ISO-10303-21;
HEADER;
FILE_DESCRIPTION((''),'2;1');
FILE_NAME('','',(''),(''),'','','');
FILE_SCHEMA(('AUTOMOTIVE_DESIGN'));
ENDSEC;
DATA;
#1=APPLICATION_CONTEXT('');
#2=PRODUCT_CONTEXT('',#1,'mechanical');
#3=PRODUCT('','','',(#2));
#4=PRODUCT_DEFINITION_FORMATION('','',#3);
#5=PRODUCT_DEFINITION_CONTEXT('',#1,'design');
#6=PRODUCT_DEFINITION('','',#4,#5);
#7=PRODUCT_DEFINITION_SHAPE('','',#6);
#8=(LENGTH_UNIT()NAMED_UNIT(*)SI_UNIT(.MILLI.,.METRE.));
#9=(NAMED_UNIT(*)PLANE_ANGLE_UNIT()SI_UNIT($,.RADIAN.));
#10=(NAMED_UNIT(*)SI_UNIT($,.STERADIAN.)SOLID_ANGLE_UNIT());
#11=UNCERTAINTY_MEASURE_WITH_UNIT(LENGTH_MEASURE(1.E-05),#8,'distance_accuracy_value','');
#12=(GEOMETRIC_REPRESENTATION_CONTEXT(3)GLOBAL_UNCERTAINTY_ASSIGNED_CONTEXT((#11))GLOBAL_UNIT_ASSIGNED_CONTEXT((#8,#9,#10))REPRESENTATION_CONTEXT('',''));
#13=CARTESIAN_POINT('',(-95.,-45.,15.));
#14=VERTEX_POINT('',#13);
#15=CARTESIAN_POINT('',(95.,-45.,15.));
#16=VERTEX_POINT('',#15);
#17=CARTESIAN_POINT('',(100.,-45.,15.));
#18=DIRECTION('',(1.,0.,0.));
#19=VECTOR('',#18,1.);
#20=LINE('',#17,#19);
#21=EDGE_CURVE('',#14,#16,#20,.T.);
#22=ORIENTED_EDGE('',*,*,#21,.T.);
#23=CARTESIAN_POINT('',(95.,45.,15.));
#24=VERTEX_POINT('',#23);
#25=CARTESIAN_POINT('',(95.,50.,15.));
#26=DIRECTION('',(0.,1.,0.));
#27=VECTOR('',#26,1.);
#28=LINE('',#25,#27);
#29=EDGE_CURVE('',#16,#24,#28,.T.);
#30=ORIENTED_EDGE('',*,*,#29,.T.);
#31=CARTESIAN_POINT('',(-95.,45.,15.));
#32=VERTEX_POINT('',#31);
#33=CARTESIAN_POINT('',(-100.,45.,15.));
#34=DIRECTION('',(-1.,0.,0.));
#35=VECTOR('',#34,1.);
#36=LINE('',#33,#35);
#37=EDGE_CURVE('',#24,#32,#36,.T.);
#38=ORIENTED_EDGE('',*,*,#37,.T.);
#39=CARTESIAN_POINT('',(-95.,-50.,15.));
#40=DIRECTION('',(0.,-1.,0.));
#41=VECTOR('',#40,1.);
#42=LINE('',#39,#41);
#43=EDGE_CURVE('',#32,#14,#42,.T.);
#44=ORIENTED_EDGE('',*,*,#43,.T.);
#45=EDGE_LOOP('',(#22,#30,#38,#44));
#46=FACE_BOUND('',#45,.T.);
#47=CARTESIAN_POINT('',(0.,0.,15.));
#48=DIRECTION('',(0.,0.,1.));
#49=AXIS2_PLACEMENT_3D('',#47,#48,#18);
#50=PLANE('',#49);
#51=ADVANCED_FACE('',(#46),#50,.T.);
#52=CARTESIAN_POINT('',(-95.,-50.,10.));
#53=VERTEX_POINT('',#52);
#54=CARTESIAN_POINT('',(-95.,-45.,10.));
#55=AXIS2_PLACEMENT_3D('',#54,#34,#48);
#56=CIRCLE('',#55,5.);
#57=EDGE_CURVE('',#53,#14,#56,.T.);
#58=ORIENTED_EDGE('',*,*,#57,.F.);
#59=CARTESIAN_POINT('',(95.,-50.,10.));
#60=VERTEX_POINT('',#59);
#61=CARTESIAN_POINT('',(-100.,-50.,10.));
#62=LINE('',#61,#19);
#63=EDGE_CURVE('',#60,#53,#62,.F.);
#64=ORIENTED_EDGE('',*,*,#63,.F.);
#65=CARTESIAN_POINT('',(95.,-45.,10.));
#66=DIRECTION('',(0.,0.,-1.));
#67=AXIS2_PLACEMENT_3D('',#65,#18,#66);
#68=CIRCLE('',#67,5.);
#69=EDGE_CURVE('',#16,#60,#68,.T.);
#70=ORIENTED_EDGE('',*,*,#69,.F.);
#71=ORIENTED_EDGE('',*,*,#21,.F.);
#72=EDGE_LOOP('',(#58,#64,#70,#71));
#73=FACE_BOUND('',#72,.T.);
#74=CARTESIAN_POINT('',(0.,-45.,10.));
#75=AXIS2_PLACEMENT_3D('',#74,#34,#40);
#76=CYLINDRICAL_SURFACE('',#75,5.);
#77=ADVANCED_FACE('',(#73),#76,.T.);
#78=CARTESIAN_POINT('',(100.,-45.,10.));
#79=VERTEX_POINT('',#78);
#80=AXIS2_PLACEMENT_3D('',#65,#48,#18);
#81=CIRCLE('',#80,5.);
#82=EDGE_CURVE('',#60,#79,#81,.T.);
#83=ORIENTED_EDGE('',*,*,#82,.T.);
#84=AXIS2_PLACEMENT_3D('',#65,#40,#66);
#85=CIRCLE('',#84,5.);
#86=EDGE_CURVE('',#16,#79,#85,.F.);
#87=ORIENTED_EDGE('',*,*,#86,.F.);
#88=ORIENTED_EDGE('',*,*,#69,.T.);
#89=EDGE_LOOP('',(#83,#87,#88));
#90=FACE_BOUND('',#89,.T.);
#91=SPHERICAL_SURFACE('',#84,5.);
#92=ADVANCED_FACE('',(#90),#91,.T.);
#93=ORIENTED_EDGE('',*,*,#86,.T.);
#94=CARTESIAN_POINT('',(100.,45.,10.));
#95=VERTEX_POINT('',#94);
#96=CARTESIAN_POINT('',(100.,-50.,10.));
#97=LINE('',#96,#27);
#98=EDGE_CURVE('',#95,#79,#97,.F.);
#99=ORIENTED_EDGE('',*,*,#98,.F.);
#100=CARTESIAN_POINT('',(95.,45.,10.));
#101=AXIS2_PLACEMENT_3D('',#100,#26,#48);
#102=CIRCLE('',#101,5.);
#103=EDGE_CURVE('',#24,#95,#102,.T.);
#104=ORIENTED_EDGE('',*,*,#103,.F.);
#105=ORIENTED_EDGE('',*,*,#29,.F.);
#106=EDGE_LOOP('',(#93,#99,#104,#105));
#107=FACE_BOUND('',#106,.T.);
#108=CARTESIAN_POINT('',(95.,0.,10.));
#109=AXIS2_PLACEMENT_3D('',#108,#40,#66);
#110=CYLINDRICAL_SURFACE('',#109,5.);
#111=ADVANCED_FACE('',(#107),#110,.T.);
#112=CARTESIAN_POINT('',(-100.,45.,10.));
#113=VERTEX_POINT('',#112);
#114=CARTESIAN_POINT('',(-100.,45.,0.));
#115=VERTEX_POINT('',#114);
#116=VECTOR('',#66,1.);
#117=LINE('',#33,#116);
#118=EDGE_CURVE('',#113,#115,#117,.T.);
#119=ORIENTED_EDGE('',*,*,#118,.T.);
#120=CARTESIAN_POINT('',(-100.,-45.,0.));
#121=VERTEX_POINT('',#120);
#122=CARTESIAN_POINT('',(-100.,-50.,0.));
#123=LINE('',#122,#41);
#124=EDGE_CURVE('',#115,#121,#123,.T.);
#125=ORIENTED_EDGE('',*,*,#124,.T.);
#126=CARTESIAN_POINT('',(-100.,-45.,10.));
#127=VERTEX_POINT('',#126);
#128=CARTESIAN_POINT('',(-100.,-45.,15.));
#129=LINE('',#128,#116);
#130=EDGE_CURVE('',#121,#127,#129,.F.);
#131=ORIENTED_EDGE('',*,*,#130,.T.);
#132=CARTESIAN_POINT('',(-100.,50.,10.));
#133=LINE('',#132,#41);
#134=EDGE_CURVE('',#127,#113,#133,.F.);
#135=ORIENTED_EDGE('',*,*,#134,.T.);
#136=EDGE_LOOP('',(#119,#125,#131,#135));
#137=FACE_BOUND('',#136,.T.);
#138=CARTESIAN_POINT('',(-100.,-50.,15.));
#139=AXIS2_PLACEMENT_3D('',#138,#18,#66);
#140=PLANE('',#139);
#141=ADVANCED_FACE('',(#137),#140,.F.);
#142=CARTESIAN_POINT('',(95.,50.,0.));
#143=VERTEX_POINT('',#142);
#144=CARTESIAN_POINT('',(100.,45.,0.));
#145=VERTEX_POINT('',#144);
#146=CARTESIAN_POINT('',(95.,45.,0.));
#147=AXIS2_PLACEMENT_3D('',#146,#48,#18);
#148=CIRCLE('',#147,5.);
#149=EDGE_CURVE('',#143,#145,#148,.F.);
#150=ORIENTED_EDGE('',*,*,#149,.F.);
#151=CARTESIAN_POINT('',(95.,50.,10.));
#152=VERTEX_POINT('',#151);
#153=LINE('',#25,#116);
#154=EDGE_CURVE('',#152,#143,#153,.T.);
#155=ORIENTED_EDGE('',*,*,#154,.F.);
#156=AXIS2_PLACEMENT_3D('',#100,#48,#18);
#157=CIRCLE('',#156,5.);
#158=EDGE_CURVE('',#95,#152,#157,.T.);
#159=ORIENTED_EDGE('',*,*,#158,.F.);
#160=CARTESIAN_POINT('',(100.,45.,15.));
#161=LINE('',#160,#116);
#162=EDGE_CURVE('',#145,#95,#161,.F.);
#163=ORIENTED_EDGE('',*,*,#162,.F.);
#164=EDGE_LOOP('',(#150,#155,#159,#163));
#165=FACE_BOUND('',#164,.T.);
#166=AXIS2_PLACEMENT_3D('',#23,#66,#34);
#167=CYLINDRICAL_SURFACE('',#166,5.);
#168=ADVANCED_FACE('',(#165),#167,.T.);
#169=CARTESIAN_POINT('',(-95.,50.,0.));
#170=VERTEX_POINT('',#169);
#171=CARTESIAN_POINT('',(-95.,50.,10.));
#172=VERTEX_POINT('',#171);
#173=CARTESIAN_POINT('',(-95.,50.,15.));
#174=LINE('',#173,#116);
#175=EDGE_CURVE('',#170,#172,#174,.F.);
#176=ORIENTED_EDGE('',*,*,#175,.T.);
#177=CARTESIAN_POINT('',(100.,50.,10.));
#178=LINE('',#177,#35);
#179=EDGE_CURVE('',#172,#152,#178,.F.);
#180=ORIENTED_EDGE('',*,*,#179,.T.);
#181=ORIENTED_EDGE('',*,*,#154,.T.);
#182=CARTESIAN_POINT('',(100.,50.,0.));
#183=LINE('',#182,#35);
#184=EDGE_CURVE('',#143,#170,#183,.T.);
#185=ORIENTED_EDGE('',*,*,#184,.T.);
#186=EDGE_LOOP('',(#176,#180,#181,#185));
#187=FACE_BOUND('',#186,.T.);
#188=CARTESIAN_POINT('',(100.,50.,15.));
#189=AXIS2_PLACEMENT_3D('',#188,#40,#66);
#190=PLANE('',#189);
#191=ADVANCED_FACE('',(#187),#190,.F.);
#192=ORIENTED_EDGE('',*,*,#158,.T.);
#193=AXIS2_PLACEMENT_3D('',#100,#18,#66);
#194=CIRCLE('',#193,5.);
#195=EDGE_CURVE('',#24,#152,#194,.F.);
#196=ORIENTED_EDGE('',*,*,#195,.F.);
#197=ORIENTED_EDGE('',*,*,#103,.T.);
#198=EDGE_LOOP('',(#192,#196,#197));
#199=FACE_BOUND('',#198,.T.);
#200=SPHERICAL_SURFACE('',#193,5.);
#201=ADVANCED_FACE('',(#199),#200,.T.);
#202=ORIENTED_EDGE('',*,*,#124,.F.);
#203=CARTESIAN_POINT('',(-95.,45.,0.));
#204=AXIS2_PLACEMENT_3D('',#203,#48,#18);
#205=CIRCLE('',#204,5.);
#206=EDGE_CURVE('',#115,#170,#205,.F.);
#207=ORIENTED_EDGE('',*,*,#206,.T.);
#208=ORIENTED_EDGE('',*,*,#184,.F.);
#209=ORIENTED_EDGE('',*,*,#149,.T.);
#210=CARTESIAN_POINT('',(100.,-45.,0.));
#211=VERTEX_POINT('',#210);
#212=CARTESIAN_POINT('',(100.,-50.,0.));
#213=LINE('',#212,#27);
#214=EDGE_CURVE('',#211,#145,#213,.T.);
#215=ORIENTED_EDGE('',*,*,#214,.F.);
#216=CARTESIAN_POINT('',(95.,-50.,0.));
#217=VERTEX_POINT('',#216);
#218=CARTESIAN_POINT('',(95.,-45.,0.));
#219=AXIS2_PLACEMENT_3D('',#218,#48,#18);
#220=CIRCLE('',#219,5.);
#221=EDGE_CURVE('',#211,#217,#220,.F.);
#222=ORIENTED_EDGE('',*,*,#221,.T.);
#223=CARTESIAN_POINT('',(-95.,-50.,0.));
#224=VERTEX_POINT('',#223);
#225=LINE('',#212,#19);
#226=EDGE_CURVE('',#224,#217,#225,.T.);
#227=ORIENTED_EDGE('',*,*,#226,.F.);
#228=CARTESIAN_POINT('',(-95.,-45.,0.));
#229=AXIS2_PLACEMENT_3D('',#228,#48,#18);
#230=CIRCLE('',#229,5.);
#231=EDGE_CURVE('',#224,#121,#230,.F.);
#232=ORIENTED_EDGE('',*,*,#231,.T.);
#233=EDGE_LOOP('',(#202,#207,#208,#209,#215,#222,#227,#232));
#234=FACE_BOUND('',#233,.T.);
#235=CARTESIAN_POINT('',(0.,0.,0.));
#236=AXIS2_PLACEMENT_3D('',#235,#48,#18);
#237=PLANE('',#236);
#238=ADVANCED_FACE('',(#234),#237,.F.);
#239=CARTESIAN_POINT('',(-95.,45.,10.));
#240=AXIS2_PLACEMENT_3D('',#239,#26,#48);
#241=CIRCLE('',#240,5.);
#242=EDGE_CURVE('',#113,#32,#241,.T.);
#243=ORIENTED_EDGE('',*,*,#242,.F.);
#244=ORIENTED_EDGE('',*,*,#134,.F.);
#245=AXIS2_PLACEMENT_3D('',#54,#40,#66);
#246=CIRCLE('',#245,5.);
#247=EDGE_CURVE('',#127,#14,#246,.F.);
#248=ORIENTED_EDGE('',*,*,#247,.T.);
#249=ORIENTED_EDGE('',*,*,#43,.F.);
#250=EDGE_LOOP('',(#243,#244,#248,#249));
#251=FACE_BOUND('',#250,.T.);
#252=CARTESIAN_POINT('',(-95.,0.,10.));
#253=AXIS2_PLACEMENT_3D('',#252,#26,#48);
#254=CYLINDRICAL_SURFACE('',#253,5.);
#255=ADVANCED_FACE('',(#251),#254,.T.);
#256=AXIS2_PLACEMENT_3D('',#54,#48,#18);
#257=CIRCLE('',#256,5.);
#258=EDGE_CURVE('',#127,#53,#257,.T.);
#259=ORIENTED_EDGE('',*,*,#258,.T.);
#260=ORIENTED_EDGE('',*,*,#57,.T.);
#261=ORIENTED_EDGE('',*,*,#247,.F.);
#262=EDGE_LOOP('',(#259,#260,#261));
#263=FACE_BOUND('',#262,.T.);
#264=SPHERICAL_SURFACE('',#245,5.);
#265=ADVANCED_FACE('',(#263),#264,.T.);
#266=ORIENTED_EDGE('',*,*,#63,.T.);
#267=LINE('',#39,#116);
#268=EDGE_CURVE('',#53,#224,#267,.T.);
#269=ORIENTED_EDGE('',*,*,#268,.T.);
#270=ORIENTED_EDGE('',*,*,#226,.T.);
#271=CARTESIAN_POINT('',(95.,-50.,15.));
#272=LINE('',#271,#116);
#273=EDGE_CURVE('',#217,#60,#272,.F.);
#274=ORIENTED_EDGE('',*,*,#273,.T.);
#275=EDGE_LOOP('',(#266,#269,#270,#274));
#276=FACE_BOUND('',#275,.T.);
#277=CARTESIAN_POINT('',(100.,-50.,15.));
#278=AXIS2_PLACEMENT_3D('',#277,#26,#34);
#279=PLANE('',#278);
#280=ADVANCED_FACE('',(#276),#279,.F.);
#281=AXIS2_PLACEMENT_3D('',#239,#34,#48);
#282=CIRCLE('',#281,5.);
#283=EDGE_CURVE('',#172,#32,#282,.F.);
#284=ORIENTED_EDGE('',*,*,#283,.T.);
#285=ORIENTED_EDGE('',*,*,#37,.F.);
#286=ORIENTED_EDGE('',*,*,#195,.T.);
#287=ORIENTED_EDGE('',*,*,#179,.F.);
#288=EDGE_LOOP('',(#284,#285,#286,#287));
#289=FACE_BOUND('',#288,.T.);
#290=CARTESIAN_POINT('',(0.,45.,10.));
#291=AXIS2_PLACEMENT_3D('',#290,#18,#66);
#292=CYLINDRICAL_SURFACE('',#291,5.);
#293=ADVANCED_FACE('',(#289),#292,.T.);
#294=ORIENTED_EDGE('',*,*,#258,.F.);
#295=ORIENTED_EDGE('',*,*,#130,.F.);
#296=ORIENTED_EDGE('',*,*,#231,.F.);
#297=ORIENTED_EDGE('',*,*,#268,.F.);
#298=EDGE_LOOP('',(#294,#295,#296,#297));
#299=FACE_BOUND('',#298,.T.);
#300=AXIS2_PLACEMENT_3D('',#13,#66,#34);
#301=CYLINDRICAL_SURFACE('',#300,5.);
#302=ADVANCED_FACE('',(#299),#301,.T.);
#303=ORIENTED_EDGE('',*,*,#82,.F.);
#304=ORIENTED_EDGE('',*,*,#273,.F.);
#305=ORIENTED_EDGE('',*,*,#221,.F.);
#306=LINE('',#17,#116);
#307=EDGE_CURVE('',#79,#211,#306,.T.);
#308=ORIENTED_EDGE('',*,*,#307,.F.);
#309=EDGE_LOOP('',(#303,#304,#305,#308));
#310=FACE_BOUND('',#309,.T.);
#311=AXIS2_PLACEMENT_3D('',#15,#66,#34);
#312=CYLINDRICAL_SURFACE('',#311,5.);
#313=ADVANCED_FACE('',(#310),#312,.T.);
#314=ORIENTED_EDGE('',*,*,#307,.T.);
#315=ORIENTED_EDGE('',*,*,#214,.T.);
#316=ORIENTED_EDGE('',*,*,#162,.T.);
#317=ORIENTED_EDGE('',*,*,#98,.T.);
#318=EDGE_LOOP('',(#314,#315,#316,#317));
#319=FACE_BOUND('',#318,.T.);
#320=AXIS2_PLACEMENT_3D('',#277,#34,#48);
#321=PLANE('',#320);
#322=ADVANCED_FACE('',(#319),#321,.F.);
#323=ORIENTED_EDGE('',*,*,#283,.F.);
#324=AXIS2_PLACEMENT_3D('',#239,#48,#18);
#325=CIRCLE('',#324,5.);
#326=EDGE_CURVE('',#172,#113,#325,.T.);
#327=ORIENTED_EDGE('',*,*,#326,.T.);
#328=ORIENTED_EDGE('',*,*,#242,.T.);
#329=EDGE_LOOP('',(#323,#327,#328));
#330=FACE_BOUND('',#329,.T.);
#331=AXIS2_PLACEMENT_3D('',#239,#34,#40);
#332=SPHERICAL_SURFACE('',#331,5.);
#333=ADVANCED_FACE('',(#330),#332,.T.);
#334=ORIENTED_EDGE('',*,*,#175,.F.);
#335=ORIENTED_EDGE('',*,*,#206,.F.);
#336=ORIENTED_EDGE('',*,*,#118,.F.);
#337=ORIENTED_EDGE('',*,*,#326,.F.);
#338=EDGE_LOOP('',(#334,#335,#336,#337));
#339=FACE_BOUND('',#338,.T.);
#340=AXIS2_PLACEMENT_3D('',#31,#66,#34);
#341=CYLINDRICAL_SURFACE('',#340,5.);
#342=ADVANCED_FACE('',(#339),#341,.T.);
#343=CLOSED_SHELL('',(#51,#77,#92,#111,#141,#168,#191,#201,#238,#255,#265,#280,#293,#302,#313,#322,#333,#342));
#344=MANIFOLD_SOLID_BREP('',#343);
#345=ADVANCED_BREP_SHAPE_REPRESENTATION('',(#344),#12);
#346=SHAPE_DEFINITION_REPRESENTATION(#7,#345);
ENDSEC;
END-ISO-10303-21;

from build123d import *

# Parameters (mm, degrees)
SKETCH1_W           = 200
SKETCH1_H           = 100
BOSS_EXTRUDE1_DEPTH = 15
FILLET1_R           = 5


with BuildPart() as part:
    # Sketch1 → Boss-Extrude1 (new body)
    with BuildSketch(Plane.XY):
        Rectangle(SKETCH1_W, SKETCH1_H)
    extrude(amount=BOSS_EXTRUDE1_DEPTH)

    # Fillet1
    fillet1_edges = [part.edges().sort_by_distance(p)[0] for p in [
        (100, 0, 15),
        (0, 50, 15),
        (-100, 0, 15),
        (-100, 50, 7.5),
        (100, 50, 7.5),
        (100, -50, 7.5),
        (-100, -50, 7.5),
        (0, -50, 15),
    ]]
    fillet(fillet1_edges, radius=FILLET1_R)


solid = part.part
